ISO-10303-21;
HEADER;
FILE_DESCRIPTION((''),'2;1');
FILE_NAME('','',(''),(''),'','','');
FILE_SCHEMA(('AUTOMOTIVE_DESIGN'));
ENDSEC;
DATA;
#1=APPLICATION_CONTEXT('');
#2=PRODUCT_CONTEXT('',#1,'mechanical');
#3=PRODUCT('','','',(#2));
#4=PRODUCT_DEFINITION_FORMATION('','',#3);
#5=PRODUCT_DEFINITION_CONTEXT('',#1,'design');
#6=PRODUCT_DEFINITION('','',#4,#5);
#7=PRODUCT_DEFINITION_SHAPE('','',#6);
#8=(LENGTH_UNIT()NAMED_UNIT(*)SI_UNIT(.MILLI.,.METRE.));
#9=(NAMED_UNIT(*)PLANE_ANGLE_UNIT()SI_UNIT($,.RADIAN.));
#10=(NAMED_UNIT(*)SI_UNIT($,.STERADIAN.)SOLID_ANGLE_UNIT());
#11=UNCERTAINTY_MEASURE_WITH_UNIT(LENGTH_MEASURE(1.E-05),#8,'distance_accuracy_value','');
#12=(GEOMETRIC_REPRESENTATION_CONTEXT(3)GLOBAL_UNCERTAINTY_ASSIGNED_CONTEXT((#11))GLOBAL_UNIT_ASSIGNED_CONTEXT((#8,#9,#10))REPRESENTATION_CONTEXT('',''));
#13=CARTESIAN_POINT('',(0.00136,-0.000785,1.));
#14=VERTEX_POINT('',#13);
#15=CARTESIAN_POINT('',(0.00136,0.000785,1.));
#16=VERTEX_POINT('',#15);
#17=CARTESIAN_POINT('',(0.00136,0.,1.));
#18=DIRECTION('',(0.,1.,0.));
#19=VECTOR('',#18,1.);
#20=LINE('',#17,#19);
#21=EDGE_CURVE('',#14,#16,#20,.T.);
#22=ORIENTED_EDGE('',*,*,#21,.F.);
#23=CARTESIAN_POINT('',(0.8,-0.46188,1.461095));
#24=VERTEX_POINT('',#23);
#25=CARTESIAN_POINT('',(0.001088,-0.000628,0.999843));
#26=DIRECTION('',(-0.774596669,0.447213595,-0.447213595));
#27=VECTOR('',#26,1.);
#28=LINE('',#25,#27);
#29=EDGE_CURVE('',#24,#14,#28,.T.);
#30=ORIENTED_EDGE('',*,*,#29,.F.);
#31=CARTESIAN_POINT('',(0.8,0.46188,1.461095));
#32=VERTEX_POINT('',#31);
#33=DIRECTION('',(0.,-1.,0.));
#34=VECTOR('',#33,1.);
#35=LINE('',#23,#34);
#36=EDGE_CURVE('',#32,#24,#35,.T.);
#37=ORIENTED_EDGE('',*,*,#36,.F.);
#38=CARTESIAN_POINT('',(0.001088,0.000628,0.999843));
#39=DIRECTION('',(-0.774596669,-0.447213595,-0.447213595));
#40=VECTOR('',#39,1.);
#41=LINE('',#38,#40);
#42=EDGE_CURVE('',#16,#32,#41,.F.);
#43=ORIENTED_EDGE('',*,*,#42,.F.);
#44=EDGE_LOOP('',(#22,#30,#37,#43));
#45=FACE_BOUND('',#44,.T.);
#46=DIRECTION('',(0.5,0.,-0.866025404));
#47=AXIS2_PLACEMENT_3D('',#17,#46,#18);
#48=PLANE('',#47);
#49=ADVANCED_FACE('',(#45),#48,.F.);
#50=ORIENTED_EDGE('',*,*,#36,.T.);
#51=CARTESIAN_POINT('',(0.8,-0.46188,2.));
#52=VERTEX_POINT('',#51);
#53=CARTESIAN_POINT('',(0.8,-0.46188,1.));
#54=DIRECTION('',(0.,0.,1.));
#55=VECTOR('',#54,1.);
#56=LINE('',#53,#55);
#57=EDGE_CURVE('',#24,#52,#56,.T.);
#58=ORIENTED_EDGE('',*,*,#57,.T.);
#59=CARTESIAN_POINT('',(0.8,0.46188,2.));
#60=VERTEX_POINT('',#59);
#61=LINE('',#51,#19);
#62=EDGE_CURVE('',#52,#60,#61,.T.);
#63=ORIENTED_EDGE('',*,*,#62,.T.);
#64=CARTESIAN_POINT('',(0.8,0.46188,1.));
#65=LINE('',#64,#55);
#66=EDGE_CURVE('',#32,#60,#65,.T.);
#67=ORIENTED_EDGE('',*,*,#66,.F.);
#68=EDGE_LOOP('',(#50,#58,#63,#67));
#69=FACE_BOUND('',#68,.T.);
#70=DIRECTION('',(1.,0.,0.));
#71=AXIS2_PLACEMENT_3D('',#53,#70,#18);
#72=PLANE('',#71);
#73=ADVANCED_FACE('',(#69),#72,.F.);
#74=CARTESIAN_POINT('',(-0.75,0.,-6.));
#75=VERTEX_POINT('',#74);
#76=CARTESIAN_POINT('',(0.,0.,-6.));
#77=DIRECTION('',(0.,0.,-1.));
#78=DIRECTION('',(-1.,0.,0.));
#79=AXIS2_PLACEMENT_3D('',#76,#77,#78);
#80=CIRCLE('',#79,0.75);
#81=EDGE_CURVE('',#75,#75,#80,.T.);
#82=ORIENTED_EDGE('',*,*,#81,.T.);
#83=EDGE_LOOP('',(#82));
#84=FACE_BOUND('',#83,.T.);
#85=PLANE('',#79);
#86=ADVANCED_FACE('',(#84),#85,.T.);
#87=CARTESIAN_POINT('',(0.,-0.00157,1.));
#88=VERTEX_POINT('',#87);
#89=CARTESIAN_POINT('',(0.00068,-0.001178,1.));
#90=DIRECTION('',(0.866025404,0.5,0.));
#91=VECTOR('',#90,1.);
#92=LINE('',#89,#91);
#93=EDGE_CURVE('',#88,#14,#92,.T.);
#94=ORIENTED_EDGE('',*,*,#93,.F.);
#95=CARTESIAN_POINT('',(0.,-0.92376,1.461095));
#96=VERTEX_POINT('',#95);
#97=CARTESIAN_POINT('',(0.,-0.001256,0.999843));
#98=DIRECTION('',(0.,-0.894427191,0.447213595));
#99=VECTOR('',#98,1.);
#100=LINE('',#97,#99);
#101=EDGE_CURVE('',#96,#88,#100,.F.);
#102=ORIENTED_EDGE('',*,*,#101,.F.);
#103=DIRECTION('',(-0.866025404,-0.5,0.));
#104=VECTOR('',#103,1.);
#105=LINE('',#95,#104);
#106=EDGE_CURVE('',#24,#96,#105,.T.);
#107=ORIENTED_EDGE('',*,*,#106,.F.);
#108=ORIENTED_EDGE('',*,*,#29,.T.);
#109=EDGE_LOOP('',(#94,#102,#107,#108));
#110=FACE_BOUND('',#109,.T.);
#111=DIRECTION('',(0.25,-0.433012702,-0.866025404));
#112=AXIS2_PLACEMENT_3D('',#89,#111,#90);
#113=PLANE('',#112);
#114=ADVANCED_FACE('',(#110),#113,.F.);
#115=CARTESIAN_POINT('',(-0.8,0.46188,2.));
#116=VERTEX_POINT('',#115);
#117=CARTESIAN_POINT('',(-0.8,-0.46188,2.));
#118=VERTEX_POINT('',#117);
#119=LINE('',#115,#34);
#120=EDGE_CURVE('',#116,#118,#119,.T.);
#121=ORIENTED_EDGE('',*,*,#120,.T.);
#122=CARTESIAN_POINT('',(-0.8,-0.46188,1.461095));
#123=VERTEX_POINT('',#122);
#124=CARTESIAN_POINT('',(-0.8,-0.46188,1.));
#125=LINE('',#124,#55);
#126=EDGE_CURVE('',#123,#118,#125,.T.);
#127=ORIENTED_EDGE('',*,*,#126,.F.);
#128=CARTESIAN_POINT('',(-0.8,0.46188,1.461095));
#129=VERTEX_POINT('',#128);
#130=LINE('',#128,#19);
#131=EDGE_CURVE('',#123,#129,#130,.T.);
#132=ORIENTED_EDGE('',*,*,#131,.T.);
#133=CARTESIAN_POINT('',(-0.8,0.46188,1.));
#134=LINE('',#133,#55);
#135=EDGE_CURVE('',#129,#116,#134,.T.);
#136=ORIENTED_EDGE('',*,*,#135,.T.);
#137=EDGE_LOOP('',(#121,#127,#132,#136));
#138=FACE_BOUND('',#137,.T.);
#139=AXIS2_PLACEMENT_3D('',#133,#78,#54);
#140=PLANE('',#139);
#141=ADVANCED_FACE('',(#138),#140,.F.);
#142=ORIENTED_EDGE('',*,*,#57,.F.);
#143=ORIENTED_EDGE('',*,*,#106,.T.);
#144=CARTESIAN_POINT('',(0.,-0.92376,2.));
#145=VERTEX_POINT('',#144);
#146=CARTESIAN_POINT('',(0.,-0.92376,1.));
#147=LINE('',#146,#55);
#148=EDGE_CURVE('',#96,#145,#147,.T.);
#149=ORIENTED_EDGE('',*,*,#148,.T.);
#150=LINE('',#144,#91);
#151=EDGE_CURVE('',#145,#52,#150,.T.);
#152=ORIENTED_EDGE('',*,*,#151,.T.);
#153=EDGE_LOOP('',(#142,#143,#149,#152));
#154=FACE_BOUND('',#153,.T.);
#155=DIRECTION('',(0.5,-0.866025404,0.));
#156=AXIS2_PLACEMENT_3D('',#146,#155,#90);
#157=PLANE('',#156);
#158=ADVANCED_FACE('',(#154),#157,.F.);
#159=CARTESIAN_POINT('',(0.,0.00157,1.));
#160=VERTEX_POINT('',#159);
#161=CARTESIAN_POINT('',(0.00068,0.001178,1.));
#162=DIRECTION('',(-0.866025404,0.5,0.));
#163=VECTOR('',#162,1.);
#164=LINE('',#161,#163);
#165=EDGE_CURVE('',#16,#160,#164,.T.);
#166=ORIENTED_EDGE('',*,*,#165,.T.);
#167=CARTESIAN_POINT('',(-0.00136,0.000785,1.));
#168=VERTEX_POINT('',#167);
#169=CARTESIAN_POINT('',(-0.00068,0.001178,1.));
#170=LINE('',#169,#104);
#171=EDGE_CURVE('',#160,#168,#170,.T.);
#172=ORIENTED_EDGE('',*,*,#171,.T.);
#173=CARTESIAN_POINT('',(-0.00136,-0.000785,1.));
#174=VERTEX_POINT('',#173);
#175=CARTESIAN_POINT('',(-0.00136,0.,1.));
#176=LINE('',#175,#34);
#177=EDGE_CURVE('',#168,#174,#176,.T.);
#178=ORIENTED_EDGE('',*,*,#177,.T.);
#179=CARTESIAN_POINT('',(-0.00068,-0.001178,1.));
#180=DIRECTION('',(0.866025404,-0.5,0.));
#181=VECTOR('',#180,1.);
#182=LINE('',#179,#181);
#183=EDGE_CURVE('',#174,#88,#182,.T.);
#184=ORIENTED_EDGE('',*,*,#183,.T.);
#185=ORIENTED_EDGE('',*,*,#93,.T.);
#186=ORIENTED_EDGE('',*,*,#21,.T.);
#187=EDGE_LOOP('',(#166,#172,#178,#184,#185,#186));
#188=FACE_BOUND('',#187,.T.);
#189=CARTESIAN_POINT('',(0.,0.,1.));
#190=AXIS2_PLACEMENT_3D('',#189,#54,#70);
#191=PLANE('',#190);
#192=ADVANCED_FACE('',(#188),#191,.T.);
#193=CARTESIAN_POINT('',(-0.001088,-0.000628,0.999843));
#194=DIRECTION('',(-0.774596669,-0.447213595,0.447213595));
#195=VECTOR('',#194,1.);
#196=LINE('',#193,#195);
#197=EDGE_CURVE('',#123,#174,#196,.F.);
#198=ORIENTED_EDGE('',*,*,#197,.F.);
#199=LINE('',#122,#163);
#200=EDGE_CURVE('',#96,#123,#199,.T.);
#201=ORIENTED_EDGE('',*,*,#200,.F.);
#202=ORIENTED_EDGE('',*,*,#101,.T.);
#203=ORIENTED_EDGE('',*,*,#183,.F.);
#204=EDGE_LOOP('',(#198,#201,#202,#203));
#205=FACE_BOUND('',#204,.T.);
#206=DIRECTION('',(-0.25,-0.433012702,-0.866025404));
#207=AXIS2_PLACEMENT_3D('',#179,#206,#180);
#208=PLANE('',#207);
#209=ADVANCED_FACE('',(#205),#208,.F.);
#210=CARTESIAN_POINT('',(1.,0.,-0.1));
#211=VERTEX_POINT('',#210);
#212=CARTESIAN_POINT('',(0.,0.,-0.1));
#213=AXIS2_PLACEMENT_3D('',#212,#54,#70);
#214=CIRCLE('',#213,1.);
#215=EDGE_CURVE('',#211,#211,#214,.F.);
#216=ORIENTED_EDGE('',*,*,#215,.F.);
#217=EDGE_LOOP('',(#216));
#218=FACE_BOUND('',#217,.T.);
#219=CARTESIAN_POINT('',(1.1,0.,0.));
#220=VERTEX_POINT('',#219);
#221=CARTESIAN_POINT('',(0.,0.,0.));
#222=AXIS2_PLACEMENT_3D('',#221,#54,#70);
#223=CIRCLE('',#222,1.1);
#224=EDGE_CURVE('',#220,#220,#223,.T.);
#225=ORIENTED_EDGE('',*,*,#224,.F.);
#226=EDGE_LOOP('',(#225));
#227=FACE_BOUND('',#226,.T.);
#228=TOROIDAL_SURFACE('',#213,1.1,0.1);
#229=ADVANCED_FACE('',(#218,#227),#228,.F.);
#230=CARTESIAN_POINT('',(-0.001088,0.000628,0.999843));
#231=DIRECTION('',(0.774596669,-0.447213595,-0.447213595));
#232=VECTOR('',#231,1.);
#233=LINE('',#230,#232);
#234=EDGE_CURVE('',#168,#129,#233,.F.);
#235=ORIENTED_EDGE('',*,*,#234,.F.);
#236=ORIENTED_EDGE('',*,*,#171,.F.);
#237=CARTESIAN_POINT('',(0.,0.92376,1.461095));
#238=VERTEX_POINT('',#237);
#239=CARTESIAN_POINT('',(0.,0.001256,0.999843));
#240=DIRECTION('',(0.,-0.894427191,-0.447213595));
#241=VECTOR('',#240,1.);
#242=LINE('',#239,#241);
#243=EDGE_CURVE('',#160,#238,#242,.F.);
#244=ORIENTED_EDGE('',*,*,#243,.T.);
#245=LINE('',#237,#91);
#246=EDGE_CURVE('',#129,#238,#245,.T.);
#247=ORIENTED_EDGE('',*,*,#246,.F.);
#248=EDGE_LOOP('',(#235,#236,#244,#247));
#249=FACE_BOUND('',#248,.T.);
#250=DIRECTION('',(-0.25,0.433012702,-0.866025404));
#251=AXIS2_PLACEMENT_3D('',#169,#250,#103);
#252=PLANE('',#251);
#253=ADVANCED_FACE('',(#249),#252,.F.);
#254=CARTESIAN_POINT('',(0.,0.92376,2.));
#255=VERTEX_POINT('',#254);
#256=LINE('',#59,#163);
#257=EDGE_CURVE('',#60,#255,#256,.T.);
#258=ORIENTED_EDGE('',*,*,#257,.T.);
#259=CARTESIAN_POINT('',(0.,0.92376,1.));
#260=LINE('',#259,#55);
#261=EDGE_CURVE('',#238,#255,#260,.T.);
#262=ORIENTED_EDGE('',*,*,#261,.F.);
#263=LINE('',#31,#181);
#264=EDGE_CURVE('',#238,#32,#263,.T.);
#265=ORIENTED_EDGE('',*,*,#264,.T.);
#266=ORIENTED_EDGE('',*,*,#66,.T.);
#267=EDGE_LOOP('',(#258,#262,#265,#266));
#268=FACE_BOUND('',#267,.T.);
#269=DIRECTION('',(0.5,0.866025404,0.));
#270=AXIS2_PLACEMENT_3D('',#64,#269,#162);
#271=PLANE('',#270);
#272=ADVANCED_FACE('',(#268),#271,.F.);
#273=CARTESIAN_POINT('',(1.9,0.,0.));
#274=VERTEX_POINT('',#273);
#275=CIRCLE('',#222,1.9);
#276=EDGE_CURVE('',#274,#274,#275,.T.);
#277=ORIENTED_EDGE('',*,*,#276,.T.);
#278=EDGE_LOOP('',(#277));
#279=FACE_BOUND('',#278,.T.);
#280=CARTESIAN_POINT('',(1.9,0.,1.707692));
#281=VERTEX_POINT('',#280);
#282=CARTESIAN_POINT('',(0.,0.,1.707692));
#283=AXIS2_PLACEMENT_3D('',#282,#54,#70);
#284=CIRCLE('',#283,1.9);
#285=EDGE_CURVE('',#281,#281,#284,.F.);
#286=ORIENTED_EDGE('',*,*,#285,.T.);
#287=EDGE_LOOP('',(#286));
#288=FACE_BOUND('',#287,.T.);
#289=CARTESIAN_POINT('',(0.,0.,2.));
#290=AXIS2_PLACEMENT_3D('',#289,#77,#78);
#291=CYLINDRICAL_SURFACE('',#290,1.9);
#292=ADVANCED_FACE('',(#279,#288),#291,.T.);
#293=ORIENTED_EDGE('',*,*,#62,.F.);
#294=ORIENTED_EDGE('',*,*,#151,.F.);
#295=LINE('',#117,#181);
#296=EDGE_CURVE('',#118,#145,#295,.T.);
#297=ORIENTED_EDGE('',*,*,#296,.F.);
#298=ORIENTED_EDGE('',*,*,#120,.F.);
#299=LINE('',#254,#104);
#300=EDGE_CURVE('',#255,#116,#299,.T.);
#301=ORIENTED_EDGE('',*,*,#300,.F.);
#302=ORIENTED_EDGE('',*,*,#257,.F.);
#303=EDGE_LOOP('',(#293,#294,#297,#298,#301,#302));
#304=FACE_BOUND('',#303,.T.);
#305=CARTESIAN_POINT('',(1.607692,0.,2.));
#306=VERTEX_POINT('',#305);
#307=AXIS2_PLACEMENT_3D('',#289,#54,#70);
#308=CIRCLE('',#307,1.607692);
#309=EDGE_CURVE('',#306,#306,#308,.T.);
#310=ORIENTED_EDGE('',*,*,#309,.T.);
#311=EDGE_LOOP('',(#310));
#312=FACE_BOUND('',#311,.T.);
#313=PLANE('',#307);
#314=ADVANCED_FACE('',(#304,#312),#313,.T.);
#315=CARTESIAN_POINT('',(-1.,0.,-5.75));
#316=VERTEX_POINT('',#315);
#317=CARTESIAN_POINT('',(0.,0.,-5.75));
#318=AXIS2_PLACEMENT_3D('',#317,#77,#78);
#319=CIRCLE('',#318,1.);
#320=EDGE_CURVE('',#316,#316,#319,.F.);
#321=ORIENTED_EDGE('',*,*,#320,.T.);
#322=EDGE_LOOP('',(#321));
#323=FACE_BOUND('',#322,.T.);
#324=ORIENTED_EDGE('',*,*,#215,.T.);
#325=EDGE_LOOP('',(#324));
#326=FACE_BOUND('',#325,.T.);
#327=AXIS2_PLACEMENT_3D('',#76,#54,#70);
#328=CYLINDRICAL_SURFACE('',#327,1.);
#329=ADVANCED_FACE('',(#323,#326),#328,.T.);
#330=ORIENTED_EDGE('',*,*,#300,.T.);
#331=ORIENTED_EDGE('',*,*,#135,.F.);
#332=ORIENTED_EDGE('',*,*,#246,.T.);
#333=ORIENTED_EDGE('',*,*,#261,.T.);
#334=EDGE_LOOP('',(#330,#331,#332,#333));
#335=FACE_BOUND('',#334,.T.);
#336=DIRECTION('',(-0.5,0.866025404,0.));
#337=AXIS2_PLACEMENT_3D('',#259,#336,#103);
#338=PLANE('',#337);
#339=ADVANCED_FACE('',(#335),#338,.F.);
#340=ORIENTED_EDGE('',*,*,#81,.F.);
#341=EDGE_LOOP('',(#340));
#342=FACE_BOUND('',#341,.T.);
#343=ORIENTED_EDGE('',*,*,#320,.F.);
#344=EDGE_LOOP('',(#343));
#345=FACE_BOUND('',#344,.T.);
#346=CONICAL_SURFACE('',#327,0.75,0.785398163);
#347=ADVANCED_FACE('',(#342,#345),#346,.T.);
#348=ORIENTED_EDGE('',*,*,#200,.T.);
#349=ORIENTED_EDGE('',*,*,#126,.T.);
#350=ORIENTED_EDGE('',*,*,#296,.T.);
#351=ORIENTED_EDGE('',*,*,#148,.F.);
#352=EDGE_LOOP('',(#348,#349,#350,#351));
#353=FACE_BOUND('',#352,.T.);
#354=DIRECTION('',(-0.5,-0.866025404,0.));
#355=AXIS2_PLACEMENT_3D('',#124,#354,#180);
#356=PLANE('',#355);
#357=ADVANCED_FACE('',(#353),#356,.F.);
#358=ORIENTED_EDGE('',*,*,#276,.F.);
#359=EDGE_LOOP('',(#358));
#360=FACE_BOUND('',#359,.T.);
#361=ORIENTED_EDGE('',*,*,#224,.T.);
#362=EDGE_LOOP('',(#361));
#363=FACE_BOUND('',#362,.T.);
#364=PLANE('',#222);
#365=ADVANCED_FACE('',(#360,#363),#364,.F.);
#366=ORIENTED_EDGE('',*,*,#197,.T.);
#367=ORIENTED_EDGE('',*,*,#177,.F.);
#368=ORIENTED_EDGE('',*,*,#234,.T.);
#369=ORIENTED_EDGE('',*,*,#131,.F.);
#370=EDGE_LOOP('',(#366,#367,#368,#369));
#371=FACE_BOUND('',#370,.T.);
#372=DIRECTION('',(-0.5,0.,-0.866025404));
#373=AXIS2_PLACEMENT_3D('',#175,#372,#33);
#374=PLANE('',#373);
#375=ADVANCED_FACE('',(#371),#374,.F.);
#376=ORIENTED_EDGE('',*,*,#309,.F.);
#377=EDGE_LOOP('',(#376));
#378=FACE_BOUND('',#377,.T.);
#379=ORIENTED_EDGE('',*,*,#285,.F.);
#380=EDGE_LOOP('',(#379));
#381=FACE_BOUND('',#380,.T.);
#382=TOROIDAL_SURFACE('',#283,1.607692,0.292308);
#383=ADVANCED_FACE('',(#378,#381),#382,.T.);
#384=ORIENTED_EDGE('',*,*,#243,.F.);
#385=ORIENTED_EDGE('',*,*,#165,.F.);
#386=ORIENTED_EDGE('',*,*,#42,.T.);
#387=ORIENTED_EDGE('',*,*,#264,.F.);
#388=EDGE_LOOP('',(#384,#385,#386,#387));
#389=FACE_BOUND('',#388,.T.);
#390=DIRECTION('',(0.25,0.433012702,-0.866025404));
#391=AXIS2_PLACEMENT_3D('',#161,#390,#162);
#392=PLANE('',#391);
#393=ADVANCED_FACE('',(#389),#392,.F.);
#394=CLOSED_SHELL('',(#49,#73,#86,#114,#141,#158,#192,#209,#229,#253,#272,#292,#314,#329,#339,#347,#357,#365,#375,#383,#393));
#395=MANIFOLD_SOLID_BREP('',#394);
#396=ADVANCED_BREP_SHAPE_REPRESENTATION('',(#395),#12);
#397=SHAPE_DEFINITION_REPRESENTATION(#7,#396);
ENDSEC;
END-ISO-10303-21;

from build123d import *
from OCP.BRepFilletAPI import BRepFilletAPI_MakeChamfer

# Parameters (mm, degrees)
SKETCH_1_R          = 1.9
EXTRUDE_1_DEPTH     = 2
CUT_EXTRUDE_1_DEPTH = 1
SKETCH_3_R          = 1
EXTRUDE_2_DEPTH     = 6
CHAMFER_1_SIZE      = 0.25
FILLET_1_R          = 0.292307692
CHAMFER_2_SIZE      = 0.461095101
CHAMFER_2_SIZE2     = 0.798640142
FILLET_2_R          = 0.1


with BuildPart() as part:
    # 草图1 → 凸台-拉伸1 (new body)
    with BuildSketch(Plane.XY):
        Circle(SKETCH_1_R)
    extrude(amount=EXTRUDE_1_DEPTH)

    # 草图2 → 切除-拉伸1 (cut)
    with BuildSketch(Plane.XY.offset(2)):
        Polygon((0.8, 0.461880215), (0, 0.923760431), (-0.8, 0.461880215), (-0.8, -0.461880215), (0, -0.923760431), (0.8, -0.461880215), align=None)
    extrude(amount=-CUT_EXTRUDE_1_DEPTH, mode=Mode.SUBTRACT)

    # 草图3 → 凸台-拉伸2 (add)
    with BuildSketch(Plane(origin=(0, 0, 0), x_dir=(-1, 0, 0), z_dir=(0, 0, -1))):
        Circle(SKETCH_3_R)
    extrude(amount=EXTRUDE_2_DEPTH)

    # 倒角1
    chamfer_1_edges = [part.edges().sort_by_distance(p)[0] for p in [
        (1, 0, -6),
    ]]
    chamfer(chamfer_1_edges, length=CHAMFER_1_SIZE)

    # 圆角1
    fillet_1_edges = [part.edges().sort_by_distance(p)[0] for p in [
        (-1.9, 0, 2),
    ]]
    fillet(fillet_1_edges, radius=FILLET_1_R)

    # 倒角2: one chamfer whose edges measure the first distance from different faces: ONE call of the kernel's chamfer builder (chamfer() names one face for all edges)
    chamfer_2_edges_1 = [part.edges().sort_by_distance(p)[0] for p in [
        (-0.8, 0, 1),
    ]]
    chamfer_2_side_1 = [part.faces().sort_by_distance(p)[0] for p in [
        (-0.8, 0, 1.5),
    ]]
    chamfer_2_edges_2 = [part.edges().sort_by_distance(p)[0] for p in [
        (-0.4, 0.692820323, 1),
    ]]
    chamfer_2_side_2 = [part.faces().sort_by_distance(p)[0] for p in [
        (-0.4, 0.692820323, 1.5),
    ]]
    chamfer_2_edges_3 = [part.edges().sort_by_distance(p)[0] for p in [
        (0.4, 0.692820323, 1),
    ]]
    chamfer_2_side_3 = [part.faces().sort_by_distance(p)[0] for p in [
        (0.4, 0.692820323, 1.5),
    ]]
    chamfer_2_edges_4 = [part.edges().sort_by_distance(p)[0] for p in [
        (0.8, 0, 1),
    ]]
    chamfer_2_side_4 = [part.faces().sort_by_distance(p)[0] for p in [
        (0.8, 0, 1.5),
    ]]
    chamfer_2_edges_5 = [part.edges().sort_by_distance(p)[0] for p in [
        (-0.4, -0.692820323, 1),
    ]]
    chamfer_2_side_5 = [part.faces().sort_by_distance(p)[0] for p in [
        (-0.4, -0.692820323, 1.5),
    ]]
    chamfer_2_edges_6 = [part.edges().sort_by_distance(p)[0] for p in [
        (0.4, -0.692820323, 1),
    ]]
    chamfer_2_side_6 = [part.faces().sort_by_distance(p)[0] for p in [
        (0.4, -0.692820323, 1.5),
    ]]
    chamfer_2 = BRepFilletAPI_MakeChamfer(part.part.solid().wrapped)
    for e in chamfer_2_edges_1:
        chamfer_2.Add(CHAMFER_2_SIZE, CHAMFER_2_SIZE2, e.wrapped, chamfer_2_side_1[0].wrapped)  # the first distance lies on this face
    for e in chamfer_2_edges_2:
        chamfer_2.Add(CHAMFER_2_SIZE, CHAMFER_2_SIZE2, e.wrapped, chamfer_2_side_2[0].wrapped)  # the first distance lies on this face
    for e in chamfer_2_edges_3:
        chamfer_2.Add(CHAMFER_2_SIZE, CHAMFER_2_SIZE2, e.wrapped, chamfer_2_side_3[0].wrapped)  # the first distance lies on this face
    for e in chamfer_2_edges_4:
        chamfer_2.Add(CHAMFER_2_SIZE, CHAMFER_2_SIZE2, e.wrapped, chamfer_2_side_4[0].wrapped)  # the first distance lies on this face
    for e in chamfer_2_edges_5:
        chamfer_2.Add(CHAMFER_2_SIZE, CHAMFER_2_SIZE2, e.wrapped, chamfer_2_side_5[0].wrapped)  # the first distance lies on this face
    for e in chamfer_2_edges_6:
        chamfer_2.Add(CHAMFER_2_SIZE, CHAMFER_2_SIZE2, e.wrapped, chamfer_2_side_6[0].wrapped)  # the first distance lies on this face
    add(Compound.cast(chamfer_2.Shape()), mode=Mode.REPLACE)

    # 圆角2
    fillet_2_edges = [part.edges().sort_by_distance(p)[0] for p in [
        (1, 0, 0),
    ]]
    fillet(fillet_2_edges, radius=FILLET_2_R)


solid = part.part
